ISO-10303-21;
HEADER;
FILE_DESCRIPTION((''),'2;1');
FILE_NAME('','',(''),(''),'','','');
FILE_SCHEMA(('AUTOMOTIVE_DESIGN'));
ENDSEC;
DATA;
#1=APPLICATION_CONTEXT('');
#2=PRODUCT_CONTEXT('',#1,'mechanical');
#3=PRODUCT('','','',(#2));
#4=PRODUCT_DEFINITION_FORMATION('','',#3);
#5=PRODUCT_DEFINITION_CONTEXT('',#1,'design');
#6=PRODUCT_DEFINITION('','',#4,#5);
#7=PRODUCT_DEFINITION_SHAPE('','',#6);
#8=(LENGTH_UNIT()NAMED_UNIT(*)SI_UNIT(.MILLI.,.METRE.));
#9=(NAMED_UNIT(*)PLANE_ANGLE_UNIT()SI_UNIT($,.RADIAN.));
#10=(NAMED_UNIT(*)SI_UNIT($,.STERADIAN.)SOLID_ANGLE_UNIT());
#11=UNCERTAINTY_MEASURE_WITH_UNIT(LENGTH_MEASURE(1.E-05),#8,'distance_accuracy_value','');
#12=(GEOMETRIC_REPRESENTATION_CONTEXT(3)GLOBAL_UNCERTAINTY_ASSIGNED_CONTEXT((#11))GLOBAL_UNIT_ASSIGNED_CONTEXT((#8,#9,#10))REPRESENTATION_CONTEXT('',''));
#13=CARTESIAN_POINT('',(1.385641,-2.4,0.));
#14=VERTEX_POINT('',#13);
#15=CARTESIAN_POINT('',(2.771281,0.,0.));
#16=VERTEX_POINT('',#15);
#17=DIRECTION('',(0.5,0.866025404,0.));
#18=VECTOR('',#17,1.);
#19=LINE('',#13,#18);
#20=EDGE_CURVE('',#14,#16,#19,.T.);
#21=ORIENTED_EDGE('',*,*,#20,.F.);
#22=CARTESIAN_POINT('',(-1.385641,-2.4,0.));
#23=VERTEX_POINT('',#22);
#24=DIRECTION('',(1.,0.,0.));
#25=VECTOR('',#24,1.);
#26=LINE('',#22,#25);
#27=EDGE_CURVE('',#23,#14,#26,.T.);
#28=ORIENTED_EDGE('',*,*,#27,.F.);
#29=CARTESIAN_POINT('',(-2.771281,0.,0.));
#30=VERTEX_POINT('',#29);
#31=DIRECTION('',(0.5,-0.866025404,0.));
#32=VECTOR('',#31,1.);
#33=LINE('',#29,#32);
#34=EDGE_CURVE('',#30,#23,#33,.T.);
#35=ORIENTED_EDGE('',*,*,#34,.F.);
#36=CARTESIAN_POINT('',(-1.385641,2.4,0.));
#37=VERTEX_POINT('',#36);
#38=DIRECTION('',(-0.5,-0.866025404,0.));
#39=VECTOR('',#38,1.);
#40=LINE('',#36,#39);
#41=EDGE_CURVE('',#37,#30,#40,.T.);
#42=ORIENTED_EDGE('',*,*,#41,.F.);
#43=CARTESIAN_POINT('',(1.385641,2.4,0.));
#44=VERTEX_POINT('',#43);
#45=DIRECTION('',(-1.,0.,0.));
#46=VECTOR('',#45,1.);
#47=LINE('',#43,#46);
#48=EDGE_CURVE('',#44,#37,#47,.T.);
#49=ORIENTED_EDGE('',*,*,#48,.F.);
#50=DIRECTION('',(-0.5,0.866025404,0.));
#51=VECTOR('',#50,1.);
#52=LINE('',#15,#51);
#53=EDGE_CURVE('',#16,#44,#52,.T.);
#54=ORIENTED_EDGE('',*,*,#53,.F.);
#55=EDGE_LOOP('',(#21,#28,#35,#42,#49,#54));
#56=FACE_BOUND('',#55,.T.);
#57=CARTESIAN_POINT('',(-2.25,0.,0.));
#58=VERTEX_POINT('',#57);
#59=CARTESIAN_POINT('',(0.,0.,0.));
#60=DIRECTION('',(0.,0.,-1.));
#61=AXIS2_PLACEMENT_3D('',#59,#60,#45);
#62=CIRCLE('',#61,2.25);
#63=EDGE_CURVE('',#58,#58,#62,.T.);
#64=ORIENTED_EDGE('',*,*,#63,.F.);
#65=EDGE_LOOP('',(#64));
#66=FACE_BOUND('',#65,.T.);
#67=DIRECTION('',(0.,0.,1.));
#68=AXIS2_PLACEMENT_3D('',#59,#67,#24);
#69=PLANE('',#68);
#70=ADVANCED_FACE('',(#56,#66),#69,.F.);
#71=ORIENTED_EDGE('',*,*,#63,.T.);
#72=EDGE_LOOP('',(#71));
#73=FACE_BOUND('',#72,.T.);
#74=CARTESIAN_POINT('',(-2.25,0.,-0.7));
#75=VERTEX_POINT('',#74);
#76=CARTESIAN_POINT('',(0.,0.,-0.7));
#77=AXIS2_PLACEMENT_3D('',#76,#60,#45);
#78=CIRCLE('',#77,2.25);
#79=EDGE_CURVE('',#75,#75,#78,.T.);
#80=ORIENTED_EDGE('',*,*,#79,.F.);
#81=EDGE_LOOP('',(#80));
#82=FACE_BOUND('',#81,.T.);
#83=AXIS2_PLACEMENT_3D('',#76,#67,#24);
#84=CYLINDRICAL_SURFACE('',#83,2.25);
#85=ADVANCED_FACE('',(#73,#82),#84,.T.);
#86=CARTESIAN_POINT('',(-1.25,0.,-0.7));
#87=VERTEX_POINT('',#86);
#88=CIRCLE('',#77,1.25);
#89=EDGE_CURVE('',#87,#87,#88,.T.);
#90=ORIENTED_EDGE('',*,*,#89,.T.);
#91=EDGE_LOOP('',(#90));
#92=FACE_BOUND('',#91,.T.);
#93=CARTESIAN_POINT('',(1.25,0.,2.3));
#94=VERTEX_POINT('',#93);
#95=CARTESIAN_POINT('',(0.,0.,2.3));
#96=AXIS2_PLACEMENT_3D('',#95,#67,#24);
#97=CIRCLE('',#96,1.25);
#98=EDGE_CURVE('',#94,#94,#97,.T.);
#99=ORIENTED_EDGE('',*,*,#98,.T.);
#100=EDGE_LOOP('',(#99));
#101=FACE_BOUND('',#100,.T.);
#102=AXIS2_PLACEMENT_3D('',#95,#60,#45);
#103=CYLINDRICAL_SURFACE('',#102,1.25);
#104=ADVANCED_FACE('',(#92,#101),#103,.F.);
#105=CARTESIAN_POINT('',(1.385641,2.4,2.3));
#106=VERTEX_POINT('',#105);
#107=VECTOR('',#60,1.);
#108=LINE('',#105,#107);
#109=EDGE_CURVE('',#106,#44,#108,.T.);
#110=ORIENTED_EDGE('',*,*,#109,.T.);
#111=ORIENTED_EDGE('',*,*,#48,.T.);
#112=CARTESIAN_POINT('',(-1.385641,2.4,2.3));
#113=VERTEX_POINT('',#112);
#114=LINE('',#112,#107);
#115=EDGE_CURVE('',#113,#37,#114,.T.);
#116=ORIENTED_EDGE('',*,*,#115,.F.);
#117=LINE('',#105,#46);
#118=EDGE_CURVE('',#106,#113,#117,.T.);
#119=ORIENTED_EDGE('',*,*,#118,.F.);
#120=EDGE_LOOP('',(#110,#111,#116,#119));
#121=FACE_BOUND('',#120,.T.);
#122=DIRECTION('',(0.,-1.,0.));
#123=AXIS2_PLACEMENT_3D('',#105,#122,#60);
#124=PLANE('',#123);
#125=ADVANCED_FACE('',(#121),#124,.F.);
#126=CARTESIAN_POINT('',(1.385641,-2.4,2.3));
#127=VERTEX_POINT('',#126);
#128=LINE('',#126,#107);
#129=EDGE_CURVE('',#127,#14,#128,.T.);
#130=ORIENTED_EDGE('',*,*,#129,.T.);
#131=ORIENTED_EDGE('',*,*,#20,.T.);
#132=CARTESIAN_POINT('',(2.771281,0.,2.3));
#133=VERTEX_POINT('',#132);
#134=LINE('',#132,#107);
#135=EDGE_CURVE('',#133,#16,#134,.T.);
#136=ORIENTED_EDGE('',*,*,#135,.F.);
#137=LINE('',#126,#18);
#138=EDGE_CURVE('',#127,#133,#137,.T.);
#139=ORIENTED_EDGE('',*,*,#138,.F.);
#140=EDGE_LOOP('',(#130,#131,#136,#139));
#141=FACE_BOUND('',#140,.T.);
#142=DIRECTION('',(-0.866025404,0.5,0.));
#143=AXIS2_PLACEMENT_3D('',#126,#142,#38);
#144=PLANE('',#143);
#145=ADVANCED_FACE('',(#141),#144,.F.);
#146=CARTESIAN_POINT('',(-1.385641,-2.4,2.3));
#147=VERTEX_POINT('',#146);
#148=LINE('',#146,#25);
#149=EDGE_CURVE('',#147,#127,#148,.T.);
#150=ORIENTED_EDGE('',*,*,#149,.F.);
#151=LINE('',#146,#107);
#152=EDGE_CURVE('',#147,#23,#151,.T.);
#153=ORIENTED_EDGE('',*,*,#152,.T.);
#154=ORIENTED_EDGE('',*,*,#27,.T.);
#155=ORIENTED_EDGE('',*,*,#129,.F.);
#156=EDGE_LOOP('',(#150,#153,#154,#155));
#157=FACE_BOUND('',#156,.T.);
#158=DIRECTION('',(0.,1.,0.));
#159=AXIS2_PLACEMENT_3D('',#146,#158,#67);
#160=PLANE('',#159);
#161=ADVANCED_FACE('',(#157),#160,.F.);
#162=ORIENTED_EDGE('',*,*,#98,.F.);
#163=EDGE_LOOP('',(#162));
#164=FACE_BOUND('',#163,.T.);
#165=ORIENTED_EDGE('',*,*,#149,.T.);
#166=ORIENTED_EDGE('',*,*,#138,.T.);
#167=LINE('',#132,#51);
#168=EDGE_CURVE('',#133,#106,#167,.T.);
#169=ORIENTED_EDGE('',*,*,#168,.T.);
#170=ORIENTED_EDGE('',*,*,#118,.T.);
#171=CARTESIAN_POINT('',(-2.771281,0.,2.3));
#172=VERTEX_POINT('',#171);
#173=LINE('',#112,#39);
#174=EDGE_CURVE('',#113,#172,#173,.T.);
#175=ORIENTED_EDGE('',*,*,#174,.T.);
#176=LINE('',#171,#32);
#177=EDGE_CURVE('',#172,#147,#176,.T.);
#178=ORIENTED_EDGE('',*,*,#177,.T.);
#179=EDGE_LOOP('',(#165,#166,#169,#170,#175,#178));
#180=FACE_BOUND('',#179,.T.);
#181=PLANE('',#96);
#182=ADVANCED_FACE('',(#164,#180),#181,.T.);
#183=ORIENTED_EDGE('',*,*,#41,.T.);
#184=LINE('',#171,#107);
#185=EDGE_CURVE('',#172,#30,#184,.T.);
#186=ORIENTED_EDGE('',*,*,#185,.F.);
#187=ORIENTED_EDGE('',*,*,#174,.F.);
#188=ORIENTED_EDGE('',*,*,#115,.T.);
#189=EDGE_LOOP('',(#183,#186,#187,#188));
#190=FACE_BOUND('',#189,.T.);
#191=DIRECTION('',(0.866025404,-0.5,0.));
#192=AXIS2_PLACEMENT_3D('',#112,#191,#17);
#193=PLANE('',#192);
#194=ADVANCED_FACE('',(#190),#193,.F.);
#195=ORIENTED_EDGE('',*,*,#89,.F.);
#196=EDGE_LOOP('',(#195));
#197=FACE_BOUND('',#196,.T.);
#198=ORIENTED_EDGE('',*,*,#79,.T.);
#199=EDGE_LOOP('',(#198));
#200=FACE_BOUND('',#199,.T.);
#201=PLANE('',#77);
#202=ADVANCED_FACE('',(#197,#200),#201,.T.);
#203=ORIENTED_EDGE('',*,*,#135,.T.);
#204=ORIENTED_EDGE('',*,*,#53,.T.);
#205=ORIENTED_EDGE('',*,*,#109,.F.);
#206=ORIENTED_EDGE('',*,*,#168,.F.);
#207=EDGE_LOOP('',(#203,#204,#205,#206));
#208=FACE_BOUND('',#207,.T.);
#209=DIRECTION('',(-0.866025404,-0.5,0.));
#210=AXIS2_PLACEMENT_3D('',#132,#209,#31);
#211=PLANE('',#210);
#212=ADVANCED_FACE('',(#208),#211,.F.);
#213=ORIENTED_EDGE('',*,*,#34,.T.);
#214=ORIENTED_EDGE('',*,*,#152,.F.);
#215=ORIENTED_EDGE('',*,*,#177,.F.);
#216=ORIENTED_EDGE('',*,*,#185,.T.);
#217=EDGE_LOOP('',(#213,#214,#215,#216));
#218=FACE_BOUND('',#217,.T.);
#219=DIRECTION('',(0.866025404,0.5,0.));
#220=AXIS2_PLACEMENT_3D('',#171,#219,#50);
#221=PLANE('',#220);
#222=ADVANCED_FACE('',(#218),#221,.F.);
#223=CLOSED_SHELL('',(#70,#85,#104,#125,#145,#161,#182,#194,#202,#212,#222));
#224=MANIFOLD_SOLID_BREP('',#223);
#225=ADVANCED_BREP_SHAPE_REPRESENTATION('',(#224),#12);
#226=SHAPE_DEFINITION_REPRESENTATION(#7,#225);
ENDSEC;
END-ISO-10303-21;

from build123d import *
from build123d.topology import SkipClean

# Parameters (mm, degrees)
SKETCH_1_R      = 1.25
EXTRUDE_1_DEPTH = 2.3
EXTRUDE_START   = 0.7
SKETCH_2_R      = 2.25
SKETCH_2_R_2    = 1.25
EXTRUDE_2_DEPTH = 0.7


with BuildPart() as part:
    # 草图1 → 凸台-拉伸1 (new body)
    with BuildSketch(Plane.XY):
        Polygon((-1.385640646, 2.4), (-2.771281292, 0), (-1.385640646, -2.4), (1.385640646, -2.4), (2.771281292, 0), (1.385640646, 2.4), align=None)
        Circle(SKETCH_1_R, mode=Mode.SUBTRACT)
    extrude(amount=EXTRUDE_1_DEPTH)

    # 草图2 → 凸台-拉伸2 (add)
    with SkipClean():  # the faces are left unmerged after this step: merging them gives an invalid solid
        with BuildSketch(Plane(origin=(0, 0, 0), x_dir=(-1, 0, 0), z_dir=(0, 0, -1)).offset(EXTRUDE_START)):
            Circle(SKETCH_2_R)
            Circle(SKETCH_2_R_2, mode=Mode.SUBTRACT)
        extrude(amount=-EXTRUDE_2_DEPTH)


solid = part.part
